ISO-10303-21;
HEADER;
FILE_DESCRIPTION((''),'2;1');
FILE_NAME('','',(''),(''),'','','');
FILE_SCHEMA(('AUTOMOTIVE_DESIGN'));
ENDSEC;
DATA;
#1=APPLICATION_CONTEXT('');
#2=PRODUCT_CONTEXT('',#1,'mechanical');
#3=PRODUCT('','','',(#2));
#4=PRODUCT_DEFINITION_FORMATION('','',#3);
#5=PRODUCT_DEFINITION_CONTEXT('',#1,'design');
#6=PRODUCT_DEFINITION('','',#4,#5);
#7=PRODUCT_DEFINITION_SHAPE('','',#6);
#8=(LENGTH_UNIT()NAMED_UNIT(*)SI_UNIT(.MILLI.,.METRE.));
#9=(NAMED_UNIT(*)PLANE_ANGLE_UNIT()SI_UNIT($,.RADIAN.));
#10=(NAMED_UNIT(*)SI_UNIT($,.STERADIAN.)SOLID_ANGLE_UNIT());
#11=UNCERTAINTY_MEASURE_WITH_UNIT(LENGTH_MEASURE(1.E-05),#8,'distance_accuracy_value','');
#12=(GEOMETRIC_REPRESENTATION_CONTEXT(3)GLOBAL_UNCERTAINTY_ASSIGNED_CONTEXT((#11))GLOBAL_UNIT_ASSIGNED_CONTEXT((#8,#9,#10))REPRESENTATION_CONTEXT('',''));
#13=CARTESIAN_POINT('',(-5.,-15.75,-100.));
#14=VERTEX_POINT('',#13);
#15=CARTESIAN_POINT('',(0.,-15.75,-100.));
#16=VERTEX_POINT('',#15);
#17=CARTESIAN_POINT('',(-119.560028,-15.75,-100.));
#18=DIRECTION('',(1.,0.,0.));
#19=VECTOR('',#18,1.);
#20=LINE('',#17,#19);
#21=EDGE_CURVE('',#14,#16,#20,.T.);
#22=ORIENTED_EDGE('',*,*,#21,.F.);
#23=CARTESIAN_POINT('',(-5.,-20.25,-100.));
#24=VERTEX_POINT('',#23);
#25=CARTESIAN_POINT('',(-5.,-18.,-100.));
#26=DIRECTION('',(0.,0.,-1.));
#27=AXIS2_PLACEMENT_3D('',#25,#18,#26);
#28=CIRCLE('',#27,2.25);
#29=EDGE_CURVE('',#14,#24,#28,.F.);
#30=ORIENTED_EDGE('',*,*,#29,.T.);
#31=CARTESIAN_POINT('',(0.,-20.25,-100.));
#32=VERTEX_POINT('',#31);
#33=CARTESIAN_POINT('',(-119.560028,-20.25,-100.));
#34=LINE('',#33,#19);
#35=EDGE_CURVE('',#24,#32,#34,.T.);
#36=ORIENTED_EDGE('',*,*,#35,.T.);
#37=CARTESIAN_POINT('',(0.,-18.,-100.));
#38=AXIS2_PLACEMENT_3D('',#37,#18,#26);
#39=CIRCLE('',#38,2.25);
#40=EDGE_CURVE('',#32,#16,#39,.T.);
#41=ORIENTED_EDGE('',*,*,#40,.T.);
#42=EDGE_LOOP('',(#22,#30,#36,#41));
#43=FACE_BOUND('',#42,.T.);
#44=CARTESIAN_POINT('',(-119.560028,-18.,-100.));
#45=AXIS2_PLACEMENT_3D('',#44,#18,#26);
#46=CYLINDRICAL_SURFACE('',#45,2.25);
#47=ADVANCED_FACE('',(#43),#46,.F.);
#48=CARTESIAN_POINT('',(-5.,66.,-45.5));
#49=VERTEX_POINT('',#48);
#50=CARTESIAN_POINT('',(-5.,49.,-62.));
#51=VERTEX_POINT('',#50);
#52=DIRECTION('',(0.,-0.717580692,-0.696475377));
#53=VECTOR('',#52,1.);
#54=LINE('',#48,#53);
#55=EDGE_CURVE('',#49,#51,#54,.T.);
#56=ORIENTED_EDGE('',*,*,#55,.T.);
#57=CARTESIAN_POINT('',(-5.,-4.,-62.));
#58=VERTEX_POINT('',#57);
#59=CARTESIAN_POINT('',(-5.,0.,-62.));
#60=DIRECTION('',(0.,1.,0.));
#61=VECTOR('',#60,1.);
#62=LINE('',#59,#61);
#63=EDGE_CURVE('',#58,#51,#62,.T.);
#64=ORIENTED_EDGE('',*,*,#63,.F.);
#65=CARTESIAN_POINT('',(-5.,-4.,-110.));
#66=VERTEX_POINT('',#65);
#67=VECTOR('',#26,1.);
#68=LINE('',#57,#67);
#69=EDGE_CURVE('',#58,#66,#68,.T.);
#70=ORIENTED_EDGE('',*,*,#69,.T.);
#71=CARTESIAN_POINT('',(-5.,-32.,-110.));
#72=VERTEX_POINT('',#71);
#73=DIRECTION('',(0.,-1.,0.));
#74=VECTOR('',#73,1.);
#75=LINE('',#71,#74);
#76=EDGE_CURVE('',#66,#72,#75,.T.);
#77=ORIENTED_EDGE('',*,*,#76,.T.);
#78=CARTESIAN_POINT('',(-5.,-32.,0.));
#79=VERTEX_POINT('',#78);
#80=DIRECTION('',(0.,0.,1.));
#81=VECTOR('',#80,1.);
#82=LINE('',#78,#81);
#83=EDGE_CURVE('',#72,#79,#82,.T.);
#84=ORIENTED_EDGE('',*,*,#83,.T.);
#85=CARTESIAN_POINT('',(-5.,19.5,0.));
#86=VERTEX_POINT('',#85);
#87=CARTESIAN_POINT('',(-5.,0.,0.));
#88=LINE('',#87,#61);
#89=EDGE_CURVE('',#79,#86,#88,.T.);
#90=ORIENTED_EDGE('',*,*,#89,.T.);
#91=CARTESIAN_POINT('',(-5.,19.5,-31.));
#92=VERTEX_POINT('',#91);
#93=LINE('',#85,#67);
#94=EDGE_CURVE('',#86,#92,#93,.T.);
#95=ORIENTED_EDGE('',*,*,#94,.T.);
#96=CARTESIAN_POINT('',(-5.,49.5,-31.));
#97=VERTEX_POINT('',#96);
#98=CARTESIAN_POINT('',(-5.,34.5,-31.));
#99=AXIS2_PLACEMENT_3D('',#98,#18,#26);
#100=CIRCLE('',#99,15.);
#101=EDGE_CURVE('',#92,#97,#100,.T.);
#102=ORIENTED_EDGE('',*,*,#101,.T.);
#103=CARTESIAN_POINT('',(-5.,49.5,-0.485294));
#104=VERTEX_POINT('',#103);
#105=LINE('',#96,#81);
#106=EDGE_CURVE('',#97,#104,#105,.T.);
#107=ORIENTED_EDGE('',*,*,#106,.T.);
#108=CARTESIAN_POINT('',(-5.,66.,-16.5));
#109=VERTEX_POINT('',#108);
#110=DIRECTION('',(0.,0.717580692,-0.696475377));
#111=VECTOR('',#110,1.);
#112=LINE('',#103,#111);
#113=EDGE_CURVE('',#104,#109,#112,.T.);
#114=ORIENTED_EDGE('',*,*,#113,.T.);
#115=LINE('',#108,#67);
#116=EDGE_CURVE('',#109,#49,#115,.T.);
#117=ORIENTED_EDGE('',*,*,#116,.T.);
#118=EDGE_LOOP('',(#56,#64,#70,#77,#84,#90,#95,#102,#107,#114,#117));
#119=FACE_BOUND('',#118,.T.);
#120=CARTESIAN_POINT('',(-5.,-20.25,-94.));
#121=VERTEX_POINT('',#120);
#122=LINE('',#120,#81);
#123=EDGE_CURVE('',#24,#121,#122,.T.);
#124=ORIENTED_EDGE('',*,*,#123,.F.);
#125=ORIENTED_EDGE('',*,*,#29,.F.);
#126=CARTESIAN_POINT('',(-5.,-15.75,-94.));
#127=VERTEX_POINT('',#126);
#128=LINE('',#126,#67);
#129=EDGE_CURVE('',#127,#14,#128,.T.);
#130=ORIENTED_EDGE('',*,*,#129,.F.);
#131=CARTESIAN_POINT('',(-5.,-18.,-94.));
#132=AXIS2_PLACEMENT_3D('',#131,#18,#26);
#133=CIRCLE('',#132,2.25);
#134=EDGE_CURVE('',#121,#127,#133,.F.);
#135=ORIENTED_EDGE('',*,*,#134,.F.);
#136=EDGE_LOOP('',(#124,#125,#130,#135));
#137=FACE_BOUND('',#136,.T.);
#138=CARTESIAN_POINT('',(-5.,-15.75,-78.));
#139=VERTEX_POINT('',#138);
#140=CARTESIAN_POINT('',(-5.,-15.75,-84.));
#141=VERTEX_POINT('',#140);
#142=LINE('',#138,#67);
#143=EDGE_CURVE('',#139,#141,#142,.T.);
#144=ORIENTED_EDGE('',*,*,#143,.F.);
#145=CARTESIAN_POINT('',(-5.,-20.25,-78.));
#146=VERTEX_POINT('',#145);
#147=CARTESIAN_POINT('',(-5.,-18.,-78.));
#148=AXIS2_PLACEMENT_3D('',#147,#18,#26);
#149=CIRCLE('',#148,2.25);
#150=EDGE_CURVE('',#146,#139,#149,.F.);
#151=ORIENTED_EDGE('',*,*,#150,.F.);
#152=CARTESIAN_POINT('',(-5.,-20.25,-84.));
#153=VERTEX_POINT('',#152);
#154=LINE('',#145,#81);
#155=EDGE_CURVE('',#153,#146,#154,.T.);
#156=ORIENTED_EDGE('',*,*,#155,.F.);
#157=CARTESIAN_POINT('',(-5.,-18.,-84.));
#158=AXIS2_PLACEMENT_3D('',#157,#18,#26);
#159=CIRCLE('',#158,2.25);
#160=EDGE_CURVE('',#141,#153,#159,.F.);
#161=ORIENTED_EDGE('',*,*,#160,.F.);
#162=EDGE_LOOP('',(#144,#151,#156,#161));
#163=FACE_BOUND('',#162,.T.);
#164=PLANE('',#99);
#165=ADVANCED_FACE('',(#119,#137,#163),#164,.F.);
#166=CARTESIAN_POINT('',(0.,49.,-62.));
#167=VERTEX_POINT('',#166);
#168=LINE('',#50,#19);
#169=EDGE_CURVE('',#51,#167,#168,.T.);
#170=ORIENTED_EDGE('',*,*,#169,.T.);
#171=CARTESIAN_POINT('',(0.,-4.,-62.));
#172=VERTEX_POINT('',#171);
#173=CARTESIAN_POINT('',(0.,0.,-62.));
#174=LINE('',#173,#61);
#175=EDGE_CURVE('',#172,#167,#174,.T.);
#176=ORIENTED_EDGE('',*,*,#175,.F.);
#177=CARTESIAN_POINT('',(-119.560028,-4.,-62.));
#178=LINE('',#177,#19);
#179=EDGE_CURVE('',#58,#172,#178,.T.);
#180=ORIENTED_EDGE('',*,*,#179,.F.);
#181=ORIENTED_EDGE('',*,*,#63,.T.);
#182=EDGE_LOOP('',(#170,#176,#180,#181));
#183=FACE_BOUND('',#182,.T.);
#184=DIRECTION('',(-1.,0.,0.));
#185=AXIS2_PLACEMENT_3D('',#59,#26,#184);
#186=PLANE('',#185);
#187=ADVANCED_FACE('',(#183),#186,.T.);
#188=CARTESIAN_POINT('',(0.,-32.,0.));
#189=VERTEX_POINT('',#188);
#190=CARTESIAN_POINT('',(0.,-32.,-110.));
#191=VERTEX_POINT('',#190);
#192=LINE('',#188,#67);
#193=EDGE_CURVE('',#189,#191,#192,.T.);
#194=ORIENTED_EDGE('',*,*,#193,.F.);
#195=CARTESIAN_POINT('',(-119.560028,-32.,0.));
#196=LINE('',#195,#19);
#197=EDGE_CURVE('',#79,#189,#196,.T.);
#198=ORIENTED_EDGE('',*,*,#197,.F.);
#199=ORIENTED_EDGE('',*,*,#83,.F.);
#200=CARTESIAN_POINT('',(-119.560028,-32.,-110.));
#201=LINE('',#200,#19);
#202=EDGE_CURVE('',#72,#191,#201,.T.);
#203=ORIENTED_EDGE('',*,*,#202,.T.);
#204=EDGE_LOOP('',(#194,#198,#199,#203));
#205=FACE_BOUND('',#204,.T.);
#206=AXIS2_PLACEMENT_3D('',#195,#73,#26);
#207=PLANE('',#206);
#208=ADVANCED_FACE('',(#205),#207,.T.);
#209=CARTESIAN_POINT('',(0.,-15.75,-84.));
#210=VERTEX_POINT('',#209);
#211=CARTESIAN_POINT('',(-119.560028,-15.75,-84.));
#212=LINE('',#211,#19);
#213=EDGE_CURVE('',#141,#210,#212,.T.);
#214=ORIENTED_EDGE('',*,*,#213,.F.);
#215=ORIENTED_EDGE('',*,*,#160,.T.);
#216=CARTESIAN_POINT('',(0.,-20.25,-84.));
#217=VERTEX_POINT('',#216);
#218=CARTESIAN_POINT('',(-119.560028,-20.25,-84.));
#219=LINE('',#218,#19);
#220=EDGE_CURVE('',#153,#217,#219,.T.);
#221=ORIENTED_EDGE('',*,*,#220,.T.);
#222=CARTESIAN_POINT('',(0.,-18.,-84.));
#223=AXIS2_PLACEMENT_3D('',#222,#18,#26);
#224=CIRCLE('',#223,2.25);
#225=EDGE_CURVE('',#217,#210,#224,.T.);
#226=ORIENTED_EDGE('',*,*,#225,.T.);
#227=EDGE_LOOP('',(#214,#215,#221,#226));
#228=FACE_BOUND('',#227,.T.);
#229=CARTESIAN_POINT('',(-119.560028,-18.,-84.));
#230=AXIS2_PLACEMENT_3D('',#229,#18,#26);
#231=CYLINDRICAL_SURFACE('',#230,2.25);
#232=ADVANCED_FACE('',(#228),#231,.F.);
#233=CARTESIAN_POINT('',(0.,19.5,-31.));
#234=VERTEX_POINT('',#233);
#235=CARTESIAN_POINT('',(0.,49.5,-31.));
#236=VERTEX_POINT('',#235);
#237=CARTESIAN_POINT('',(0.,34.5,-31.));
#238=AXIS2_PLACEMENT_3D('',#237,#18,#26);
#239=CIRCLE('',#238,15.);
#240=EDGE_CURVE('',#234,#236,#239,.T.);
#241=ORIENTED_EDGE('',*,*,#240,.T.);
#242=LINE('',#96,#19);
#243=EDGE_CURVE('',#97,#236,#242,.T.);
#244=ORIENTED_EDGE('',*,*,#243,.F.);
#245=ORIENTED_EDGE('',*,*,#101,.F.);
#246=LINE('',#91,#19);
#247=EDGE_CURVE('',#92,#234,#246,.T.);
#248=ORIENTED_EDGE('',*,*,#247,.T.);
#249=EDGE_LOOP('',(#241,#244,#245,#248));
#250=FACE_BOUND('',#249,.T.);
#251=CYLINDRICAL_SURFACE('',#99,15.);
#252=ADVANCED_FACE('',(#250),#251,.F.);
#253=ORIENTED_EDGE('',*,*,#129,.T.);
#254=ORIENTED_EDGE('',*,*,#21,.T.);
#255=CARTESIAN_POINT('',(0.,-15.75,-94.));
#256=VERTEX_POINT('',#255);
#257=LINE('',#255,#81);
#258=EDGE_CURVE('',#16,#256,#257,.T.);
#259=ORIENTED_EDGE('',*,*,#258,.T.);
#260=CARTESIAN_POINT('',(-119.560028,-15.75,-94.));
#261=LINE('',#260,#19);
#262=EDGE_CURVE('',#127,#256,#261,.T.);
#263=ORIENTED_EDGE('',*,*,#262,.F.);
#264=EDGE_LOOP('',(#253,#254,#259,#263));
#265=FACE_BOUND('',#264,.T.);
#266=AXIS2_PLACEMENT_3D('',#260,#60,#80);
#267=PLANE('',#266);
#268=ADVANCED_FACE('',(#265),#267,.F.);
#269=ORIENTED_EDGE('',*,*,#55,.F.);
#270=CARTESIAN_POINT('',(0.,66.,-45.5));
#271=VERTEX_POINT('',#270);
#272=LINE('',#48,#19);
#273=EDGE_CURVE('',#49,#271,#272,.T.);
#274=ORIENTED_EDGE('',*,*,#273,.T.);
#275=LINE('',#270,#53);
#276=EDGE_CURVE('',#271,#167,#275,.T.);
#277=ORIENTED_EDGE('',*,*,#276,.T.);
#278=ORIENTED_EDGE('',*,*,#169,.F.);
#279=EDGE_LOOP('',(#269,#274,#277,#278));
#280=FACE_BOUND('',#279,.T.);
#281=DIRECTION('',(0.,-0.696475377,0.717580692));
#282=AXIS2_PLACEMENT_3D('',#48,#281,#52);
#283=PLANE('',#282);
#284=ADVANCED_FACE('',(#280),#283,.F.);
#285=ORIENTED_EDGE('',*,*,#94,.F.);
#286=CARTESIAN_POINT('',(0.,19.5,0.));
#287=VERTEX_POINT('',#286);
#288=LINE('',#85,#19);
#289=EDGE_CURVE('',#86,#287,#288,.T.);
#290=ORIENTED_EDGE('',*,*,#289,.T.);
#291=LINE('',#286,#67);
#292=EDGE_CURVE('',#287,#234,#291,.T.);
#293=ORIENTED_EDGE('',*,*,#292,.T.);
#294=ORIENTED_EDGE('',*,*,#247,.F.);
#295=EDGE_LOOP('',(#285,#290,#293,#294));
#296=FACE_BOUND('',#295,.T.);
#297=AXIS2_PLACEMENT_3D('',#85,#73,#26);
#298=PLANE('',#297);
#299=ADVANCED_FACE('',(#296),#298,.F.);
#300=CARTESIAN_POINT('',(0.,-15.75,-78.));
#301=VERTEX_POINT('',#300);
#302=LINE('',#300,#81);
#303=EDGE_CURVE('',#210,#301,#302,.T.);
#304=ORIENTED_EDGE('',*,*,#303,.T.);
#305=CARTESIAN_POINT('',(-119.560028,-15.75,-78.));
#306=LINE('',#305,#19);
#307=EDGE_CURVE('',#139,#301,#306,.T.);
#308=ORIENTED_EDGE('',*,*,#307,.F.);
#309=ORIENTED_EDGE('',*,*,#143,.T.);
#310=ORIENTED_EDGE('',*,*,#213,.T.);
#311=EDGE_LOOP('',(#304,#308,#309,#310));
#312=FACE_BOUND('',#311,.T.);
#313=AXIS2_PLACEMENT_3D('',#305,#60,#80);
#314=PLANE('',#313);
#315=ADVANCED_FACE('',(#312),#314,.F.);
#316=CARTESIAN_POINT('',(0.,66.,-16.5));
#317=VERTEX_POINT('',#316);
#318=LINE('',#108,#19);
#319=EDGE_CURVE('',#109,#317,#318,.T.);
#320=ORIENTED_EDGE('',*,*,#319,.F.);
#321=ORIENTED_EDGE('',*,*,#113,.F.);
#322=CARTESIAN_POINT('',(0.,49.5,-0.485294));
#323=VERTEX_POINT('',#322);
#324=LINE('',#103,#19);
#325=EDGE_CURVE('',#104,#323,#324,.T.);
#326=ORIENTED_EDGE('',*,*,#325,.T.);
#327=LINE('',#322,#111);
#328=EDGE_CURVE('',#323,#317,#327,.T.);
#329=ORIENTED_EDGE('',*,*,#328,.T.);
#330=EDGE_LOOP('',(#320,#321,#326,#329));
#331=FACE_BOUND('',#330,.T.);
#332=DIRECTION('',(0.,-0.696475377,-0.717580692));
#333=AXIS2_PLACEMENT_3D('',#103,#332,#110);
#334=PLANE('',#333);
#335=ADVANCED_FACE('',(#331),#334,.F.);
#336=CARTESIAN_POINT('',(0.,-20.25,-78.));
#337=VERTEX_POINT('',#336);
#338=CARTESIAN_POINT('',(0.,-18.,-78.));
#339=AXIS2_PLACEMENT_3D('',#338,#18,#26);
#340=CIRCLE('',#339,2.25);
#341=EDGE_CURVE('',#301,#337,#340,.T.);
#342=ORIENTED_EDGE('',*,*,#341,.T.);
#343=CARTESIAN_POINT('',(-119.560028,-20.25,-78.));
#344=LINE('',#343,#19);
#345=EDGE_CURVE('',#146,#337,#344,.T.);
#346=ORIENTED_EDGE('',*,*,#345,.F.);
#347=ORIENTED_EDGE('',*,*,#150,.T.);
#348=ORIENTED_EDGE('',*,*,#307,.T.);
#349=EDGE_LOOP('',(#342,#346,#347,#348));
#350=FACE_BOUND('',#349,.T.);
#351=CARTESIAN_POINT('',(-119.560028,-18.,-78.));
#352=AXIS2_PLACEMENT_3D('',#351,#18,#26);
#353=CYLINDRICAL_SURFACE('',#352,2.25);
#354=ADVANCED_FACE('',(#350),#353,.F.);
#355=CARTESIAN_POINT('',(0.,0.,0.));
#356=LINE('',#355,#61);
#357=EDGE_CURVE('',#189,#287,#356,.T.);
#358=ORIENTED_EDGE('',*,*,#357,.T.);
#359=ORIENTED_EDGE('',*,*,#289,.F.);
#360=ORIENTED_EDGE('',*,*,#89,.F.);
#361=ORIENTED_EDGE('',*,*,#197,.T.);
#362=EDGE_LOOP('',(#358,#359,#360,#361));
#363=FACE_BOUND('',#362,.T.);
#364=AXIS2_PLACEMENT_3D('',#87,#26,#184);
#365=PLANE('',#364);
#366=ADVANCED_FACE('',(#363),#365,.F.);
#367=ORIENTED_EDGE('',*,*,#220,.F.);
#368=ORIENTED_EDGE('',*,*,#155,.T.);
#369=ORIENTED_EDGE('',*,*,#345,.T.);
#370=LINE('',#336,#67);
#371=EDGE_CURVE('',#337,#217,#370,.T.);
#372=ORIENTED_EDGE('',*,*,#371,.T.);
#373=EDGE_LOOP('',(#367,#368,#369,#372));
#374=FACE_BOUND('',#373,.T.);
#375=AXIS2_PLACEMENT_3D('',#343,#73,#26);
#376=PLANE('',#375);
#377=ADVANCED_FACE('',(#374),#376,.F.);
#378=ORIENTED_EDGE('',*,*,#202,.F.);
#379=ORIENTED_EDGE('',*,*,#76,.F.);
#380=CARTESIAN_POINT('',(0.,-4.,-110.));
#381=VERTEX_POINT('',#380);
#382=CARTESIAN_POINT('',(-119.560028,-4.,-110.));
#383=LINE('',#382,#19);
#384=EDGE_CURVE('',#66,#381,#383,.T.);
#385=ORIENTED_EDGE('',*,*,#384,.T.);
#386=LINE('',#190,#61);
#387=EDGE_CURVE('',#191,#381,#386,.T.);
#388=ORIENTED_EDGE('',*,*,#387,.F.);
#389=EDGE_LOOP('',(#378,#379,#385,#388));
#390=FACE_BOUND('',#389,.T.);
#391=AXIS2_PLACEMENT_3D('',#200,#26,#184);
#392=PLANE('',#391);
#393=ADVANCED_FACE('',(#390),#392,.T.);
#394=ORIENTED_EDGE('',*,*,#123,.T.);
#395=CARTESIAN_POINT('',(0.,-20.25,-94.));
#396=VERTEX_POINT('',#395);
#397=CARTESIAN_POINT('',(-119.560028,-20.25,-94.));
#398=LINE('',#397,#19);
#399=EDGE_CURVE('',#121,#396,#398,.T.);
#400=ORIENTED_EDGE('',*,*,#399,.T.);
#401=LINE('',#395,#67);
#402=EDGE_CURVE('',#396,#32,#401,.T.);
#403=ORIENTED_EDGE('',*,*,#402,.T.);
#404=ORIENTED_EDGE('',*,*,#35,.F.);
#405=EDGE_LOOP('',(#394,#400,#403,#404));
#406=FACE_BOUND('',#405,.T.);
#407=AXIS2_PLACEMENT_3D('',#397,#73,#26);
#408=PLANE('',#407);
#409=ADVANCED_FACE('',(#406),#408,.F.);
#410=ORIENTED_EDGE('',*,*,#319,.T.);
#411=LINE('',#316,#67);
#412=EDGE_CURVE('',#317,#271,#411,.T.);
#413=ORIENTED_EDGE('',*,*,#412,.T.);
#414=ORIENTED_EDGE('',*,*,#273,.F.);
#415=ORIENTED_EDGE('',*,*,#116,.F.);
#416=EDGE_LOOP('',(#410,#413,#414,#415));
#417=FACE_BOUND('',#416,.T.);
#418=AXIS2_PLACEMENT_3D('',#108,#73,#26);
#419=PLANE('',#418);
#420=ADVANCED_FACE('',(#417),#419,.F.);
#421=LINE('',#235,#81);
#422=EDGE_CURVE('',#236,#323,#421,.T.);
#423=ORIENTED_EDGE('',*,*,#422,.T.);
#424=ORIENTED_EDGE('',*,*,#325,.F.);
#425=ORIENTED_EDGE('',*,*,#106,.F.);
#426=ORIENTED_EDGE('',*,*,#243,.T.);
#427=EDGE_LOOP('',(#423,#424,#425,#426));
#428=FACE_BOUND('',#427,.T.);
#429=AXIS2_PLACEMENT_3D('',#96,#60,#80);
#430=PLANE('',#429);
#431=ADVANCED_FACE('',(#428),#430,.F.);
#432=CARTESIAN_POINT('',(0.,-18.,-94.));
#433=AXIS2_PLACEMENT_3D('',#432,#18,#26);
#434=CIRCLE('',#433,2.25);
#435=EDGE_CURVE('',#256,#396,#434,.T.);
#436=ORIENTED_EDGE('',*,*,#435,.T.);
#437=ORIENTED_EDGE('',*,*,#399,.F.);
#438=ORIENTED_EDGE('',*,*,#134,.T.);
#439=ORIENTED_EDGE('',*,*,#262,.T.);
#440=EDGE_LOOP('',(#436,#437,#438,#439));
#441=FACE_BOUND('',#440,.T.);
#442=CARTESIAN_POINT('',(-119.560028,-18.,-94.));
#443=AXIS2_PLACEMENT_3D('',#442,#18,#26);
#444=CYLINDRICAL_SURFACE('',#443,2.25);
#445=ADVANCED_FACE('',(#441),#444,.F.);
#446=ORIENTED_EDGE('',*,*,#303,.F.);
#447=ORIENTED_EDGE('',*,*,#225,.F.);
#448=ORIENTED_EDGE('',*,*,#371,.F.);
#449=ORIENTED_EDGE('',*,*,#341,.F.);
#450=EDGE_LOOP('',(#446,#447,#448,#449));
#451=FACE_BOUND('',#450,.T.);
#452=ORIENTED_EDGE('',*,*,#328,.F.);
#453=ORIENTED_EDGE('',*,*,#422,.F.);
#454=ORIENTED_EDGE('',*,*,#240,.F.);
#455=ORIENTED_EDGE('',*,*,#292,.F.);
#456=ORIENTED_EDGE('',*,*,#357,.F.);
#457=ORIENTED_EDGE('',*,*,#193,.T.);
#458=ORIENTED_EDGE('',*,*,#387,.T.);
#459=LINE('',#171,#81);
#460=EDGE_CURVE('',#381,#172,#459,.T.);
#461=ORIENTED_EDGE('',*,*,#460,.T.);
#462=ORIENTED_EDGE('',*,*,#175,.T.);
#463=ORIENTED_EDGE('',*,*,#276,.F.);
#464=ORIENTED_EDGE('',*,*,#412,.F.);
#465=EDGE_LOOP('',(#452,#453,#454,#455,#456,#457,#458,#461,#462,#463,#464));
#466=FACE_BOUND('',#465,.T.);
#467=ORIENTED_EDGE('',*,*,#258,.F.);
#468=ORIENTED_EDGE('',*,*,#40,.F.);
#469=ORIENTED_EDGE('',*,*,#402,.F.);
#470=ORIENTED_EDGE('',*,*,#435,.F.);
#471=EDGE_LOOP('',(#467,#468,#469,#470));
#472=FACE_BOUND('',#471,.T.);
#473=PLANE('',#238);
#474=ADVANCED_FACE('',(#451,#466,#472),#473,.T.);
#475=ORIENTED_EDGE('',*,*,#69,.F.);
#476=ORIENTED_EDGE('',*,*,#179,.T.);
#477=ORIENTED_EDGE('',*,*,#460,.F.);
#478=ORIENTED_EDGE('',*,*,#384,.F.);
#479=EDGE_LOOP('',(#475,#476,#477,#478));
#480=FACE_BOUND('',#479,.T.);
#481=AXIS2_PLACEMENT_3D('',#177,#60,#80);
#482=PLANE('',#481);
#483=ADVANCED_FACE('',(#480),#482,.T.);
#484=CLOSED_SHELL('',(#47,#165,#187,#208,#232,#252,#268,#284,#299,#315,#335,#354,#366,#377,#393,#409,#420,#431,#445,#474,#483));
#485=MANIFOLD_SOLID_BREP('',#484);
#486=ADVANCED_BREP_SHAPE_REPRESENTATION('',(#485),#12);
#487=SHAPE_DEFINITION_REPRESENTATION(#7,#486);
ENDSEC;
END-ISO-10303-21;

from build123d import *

# Parameters (mm, degrees)
RESSALTO_EXTRUS_O2_DEPTH = 5
RESSALTO_EXTRUS_O3_DEPTH = 5


with BuildPart() as part:
    # Esboço2 → Ressalto-extrusão2 (new body)
    with BuildSketch(Plane(origin=(0, 0, 0), x_dir=(0, 0, -1), z_dir=(1, 0, 0))):
        with BuildLine():
            Line((0.485294118, 49.5), (16.5, 66))
            Line((16.5, 66), (45.5, 66))
            Line((45.5, 66), (62, 49))
            Line((62, 49), (62, 0))
            Line((62, 0), (0, 0))
            Line((0, 0), (0, 19.5))
            Line((0, 19.5), (31, 19.5))
            ThreePointArc((31, 19.5), (46, 34.5), (31, 49.5))
            Line((31, 49.5), (0.485294118, 49.5))
        make_face()
    extrude(amount=-RESSALTO_EXTRUS_O2_DEPTH)

    # Esboço3 → Ressalto-extrusão3 (add)
    with BuildSketch(Plane(origin=(0, 0, 0), x_dir=(0, 0, -1), z_dir=(1, 0, 0))):
        Polygon((0, 0), (62, 0), (62, -4), (110, -4), (110, -32), (0, -32), align=None)
        with BuildLine():
            Line((78, -15.75), (84, -15.75))
            ThreePointArc((84, -15.75), (86.25, -18), (84, -20.25))
            Line((84, -20.25), (78, -20.25))
            ThreePointArc((78, -20.25), (75.75, -18), (78, -15.75))
        make_face(mode=Mode.SUBTRACT)
        with BuildLine():
            Line((94, -15.75), (100, -15.75))
            ThreePointArc((100, -15.75), (102.25, -18), (100, -20.25))
            Line((100, -20.25), (94, -20.25))
            ThreePointArc((94, -20.25), (91.75, -18), (94, -15.75))
        make_face(mode=Mode.SUBTRACT)
    extrude(amount=-RESSALTO_EXTRUS_O3_DEPTH)


solid = part.part
